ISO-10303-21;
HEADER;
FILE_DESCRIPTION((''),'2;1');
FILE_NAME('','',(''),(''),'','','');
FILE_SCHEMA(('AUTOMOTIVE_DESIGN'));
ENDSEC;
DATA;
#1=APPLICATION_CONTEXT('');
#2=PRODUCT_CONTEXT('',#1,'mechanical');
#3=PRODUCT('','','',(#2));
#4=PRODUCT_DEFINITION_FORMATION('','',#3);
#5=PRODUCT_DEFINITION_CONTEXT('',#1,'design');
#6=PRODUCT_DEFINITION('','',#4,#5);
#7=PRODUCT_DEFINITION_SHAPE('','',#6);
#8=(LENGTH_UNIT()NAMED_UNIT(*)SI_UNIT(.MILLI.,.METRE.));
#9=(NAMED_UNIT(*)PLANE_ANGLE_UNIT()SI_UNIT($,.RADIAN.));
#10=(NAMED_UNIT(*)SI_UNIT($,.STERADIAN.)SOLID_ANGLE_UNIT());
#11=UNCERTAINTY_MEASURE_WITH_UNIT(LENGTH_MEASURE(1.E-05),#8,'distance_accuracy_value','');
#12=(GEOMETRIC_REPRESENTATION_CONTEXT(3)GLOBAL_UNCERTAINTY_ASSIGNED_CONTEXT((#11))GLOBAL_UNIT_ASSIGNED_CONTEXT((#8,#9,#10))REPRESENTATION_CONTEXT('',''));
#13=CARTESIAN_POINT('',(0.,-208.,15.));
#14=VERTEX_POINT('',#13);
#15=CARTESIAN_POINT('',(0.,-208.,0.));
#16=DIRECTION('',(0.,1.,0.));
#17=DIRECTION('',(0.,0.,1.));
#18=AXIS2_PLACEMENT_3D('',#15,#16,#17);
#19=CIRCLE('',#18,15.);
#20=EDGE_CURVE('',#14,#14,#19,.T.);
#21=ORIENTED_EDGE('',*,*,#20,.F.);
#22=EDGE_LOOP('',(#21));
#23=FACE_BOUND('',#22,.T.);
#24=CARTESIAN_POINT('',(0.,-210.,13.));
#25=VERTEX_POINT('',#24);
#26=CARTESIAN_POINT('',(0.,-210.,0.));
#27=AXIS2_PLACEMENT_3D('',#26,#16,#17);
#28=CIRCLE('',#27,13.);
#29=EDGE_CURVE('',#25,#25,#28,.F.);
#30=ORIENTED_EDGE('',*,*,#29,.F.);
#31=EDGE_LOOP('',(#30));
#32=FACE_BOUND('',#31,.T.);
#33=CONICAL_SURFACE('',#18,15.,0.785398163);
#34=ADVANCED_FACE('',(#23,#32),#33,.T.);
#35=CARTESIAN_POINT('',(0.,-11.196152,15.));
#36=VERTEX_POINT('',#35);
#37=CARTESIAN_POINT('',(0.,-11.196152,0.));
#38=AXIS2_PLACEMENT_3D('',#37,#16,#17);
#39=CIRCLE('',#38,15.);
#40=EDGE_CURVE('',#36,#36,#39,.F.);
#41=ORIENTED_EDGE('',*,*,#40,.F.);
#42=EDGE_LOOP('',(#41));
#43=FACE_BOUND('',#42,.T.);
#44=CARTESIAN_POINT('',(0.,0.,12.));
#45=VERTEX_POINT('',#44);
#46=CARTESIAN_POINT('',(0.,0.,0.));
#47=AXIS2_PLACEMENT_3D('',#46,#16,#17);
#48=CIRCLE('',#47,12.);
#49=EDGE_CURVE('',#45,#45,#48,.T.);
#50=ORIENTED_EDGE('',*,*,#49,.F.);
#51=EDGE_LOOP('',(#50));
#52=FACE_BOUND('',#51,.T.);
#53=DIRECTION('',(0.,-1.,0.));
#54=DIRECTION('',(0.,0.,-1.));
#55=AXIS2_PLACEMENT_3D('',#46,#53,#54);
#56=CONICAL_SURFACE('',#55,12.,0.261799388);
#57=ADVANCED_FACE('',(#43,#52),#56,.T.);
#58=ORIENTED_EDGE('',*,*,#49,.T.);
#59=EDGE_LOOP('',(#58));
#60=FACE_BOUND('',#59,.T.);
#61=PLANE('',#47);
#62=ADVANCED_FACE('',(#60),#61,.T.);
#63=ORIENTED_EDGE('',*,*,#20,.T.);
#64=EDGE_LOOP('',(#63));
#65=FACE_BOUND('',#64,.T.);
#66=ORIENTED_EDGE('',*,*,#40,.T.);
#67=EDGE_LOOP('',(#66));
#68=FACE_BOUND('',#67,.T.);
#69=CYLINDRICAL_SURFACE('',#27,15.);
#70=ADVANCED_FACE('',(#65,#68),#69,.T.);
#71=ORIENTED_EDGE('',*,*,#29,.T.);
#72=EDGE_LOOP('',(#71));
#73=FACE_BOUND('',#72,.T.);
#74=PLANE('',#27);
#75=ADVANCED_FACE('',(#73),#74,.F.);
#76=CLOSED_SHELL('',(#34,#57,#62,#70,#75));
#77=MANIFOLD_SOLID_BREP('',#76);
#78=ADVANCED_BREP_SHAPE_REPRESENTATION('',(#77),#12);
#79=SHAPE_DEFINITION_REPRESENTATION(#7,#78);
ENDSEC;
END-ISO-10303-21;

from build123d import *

# Parameters (mm, degrees)
SKETCH1_R           = 15
BOSS_EXTRUDE1_DEPTH = 210
CHAMFER1_SIZE       = 2
CHAMFER2_SIZE       = 3
CHAMFER2_SIZE2      = 11.196152423


with BuildPart() as part:
    # Sketch1 → Boss-Extrude1 (new body)
    with BuildSketch(Plane(origin=(0, 0, 0), x_dir=(1, 0, 0), z_dir=(0, 1, 0))):
        with Locations(Location((0, 0, 0), (0, 0, 270))):
            Circle(SKETCH1_R)
    extrude(amount=-BOSS_EXTRUDE1_DEPTH)

    # Chamfer1
    chamfer1_edges = [part.edges().sort_by_distance(p)[0] for p in [
        (0, -210, -15),
    ]]
    chamfer(chamfer1_edges, length=CHAMFER1_SIZE)

    # Chamfer2
    chamfer2_edges = [part.edges().sort_by_distance(p)[0] for p in [
        (0, 0, -15),
    ]]
    chamfer2_side = [part.faces().sort_by_distance(p)[0] for p in [
        (0, 0, 0),
    ]]
    chamfer(chamfer2_edges, length=CHAMFER2_SIZE, length2=CHAMFER2_SIZE2, reference=chamfer2_side[0])


solid = part.part
